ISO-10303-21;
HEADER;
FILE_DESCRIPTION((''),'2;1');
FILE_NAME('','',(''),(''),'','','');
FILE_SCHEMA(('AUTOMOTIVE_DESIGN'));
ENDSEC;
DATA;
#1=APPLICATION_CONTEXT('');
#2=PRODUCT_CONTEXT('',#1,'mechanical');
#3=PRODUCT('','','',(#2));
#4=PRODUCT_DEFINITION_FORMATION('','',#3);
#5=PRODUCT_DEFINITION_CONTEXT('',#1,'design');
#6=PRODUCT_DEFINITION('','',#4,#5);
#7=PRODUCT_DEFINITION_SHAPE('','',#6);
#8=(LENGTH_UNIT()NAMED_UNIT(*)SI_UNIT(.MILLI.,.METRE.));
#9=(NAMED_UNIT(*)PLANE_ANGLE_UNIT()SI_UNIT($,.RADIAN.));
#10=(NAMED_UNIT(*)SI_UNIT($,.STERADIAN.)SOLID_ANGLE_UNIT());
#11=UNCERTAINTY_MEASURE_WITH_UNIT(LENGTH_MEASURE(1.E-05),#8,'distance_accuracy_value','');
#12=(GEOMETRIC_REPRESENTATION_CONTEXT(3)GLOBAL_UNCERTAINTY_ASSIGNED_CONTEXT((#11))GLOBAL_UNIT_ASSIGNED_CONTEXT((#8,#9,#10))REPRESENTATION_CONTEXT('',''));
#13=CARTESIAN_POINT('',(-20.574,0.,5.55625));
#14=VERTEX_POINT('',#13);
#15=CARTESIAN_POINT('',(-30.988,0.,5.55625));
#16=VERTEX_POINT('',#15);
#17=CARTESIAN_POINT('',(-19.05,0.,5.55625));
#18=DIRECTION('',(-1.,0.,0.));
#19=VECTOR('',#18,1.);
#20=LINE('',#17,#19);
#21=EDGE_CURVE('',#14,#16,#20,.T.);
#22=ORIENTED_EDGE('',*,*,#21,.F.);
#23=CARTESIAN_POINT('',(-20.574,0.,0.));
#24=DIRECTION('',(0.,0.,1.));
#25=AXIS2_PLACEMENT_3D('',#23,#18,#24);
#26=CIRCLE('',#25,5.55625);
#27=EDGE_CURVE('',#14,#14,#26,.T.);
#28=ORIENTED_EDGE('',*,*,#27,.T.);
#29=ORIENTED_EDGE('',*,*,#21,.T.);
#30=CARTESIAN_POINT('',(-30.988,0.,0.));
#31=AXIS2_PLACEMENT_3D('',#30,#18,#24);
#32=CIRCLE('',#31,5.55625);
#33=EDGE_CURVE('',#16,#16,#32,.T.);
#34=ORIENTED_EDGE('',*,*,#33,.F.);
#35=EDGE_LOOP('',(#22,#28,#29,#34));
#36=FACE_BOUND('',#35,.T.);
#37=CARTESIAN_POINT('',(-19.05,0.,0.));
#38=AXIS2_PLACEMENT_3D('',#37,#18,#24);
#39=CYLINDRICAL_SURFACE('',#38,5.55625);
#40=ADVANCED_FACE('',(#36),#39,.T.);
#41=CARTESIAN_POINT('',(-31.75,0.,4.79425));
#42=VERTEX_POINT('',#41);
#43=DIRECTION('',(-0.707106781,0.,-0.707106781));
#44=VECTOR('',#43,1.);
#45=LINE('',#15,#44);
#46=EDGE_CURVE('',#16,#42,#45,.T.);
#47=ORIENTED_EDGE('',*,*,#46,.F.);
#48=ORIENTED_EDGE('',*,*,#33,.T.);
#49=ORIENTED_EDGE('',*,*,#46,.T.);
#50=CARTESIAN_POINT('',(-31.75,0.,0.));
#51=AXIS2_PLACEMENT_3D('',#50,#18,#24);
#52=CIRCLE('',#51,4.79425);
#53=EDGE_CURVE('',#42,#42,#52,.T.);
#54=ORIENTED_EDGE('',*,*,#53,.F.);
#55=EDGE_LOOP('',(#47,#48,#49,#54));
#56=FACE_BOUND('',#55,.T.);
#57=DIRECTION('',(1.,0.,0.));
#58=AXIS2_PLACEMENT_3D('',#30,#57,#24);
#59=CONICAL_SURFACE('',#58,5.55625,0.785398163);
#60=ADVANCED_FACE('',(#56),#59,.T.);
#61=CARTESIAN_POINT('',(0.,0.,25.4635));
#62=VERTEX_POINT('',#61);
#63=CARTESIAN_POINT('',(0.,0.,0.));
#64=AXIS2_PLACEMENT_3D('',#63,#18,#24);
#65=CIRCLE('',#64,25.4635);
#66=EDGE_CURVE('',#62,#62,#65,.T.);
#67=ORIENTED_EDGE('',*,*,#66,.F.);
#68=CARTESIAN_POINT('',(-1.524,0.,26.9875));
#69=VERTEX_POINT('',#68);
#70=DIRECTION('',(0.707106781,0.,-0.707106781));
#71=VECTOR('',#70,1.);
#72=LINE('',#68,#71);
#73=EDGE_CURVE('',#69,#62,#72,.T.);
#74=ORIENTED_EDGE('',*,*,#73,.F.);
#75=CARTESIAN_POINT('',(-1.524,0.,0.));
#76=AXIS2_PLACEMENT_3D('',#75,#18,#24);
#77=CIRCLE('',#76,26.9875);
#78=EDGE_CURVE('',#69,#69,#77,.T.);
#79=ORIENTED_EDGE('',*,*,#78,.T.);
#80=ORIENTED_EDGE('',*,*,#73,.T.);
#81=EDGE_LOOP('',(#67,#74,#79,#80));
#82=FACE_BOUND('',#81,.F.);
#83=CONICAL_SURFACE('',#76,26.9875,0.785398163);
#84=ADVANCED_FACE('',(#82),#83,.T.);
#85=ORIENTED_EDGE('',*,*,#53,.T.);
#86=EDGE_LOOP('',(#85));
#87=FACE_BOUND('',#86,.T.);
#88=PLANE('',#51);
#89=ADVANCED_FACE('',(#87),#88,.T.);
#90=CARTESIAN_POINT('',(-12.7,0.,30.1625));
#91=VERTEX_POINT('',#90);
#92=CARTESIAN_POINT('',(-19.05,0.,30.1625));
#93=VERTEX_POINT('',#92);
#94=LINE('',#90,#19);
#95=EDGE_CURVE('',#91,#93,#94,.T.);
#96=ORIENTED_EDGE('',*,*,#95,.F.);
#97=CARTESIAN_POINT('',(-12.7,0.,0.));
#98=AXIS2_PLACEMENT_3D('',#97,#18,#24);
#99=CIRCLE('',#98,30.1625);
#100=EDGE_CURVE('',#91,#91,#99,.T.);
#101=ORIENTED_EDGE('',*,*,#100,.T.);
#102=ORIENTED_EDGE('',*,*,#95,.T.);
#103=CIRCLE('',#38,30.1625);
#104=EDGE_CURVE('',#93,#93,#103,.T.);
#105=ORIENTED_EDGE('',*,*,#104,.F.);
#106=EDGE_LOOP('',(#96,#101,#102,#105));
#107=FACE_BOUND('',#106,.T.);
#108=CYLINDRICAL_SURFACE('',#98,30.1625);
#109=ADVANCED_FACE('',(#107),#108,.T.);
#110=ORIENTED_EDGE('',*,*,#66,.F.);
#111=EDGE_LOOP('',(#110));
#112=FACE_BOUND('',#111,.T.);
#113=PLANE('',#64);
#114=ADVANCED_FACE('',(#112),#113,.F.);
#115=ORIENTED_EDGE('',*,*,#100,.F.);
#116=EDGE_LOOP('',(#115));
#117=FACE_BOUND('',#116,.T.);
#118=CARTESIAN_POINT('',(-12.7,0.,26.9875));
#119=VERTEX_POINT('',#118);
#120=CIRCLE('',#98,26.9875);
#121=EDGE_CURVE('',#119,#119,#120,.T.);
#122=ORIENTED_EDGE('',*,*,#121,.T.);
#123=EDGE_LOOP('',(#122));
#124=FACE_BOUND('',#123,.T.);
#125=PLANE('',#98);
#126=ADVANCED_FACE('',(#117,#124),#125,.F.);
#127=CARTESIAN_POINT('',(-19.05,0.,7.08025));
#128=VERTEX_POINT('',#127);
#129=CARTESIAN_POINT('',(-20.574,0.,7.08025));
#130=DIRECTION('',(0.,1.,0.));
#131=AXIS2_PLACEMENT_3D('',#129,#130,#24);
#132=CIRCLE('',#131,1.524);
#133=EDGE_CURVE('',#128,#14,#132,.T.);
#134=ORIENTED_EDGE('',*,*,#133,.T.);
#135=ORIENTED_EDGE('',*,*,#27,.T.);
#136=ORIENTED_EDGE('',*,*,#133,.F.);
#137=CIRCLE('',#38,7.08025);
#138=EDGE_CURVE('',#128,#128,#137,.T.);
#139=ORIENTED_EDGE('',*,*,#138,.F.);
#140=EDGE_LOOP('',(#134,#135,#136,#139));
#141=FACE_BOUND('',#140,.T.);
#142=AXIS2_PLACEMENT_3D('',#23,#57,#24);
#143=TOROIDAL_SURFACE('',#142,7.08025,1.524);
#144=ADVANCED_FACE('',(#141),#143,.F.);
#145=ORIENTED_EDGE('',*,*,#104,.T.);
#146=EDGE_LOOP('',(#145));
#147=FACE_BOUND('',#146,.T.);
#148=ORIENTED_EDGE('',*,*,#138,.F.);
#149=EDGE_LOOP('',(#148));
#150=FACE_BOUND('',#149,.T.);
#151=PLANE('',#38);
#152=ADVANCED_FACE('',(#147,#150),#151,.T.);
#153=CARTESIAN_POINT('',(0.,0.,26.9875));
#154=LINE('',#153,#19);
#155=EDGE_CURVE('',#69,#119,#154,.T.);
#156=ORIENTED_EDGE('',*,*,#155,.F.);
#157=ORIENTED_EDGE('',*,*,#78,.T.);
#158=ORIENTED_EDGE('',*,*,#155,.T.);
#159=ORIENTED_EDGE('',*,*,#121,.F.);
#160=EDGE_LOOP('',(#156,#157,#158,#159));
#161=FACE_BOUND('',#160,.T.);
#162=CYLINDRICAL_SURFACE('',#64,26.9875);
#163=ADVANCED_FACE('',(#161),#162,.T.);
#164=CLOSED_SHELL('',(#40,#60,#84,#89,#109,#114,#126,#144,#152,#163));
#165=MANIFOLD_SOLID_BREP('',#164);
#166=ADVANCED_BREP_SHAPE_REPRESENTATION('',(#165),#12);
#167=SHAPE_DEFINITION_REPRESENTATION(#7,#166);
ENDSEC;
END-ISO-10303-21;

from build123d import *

# Parameters (mm, degrees)
F2_R    = 1.524
F3_SIZE = 0.762
F4_SIZE = 1.524


with BuildPart() as f1:
    # F0 (on Front) → F1 (revolve)
    with BuildSketch(Plane.XZ):
        Polygon((-31.75, 0), (0, 0), (0, 26.9875), (-12.7, 26.9875), (-12.7, 30.1625), (-19.05, 30.1625), (-19.05, 5.55625), (-31.75, 5.55625), align=None)
    revolve(axis=Axis((-15.875, 0, 0), (-1, 0, 0)))

    # F2
    f2_edges = [f1.edges().sort_by_distance(p)[0] for p in [
        (-19.05, 0, -5.55625),
    ]]
    fillet(f2_edges, radius=F2_R)

    # F3
    f3_edges = [f1.edges().sort_by_distance(p)[0] for p in [
        (-31.75, 0, -5.55625),
    ]]
    chamfer(f3_edges, length=F3_SIZE)

    # F4
    f4_edges = [f1.edges().sort_by_distance(p)[0] for p in [
        (0, 0, -26.9875),
    ]]
    chamfer(f4_edges, length=F4_SIZE)


solid = f1.part
